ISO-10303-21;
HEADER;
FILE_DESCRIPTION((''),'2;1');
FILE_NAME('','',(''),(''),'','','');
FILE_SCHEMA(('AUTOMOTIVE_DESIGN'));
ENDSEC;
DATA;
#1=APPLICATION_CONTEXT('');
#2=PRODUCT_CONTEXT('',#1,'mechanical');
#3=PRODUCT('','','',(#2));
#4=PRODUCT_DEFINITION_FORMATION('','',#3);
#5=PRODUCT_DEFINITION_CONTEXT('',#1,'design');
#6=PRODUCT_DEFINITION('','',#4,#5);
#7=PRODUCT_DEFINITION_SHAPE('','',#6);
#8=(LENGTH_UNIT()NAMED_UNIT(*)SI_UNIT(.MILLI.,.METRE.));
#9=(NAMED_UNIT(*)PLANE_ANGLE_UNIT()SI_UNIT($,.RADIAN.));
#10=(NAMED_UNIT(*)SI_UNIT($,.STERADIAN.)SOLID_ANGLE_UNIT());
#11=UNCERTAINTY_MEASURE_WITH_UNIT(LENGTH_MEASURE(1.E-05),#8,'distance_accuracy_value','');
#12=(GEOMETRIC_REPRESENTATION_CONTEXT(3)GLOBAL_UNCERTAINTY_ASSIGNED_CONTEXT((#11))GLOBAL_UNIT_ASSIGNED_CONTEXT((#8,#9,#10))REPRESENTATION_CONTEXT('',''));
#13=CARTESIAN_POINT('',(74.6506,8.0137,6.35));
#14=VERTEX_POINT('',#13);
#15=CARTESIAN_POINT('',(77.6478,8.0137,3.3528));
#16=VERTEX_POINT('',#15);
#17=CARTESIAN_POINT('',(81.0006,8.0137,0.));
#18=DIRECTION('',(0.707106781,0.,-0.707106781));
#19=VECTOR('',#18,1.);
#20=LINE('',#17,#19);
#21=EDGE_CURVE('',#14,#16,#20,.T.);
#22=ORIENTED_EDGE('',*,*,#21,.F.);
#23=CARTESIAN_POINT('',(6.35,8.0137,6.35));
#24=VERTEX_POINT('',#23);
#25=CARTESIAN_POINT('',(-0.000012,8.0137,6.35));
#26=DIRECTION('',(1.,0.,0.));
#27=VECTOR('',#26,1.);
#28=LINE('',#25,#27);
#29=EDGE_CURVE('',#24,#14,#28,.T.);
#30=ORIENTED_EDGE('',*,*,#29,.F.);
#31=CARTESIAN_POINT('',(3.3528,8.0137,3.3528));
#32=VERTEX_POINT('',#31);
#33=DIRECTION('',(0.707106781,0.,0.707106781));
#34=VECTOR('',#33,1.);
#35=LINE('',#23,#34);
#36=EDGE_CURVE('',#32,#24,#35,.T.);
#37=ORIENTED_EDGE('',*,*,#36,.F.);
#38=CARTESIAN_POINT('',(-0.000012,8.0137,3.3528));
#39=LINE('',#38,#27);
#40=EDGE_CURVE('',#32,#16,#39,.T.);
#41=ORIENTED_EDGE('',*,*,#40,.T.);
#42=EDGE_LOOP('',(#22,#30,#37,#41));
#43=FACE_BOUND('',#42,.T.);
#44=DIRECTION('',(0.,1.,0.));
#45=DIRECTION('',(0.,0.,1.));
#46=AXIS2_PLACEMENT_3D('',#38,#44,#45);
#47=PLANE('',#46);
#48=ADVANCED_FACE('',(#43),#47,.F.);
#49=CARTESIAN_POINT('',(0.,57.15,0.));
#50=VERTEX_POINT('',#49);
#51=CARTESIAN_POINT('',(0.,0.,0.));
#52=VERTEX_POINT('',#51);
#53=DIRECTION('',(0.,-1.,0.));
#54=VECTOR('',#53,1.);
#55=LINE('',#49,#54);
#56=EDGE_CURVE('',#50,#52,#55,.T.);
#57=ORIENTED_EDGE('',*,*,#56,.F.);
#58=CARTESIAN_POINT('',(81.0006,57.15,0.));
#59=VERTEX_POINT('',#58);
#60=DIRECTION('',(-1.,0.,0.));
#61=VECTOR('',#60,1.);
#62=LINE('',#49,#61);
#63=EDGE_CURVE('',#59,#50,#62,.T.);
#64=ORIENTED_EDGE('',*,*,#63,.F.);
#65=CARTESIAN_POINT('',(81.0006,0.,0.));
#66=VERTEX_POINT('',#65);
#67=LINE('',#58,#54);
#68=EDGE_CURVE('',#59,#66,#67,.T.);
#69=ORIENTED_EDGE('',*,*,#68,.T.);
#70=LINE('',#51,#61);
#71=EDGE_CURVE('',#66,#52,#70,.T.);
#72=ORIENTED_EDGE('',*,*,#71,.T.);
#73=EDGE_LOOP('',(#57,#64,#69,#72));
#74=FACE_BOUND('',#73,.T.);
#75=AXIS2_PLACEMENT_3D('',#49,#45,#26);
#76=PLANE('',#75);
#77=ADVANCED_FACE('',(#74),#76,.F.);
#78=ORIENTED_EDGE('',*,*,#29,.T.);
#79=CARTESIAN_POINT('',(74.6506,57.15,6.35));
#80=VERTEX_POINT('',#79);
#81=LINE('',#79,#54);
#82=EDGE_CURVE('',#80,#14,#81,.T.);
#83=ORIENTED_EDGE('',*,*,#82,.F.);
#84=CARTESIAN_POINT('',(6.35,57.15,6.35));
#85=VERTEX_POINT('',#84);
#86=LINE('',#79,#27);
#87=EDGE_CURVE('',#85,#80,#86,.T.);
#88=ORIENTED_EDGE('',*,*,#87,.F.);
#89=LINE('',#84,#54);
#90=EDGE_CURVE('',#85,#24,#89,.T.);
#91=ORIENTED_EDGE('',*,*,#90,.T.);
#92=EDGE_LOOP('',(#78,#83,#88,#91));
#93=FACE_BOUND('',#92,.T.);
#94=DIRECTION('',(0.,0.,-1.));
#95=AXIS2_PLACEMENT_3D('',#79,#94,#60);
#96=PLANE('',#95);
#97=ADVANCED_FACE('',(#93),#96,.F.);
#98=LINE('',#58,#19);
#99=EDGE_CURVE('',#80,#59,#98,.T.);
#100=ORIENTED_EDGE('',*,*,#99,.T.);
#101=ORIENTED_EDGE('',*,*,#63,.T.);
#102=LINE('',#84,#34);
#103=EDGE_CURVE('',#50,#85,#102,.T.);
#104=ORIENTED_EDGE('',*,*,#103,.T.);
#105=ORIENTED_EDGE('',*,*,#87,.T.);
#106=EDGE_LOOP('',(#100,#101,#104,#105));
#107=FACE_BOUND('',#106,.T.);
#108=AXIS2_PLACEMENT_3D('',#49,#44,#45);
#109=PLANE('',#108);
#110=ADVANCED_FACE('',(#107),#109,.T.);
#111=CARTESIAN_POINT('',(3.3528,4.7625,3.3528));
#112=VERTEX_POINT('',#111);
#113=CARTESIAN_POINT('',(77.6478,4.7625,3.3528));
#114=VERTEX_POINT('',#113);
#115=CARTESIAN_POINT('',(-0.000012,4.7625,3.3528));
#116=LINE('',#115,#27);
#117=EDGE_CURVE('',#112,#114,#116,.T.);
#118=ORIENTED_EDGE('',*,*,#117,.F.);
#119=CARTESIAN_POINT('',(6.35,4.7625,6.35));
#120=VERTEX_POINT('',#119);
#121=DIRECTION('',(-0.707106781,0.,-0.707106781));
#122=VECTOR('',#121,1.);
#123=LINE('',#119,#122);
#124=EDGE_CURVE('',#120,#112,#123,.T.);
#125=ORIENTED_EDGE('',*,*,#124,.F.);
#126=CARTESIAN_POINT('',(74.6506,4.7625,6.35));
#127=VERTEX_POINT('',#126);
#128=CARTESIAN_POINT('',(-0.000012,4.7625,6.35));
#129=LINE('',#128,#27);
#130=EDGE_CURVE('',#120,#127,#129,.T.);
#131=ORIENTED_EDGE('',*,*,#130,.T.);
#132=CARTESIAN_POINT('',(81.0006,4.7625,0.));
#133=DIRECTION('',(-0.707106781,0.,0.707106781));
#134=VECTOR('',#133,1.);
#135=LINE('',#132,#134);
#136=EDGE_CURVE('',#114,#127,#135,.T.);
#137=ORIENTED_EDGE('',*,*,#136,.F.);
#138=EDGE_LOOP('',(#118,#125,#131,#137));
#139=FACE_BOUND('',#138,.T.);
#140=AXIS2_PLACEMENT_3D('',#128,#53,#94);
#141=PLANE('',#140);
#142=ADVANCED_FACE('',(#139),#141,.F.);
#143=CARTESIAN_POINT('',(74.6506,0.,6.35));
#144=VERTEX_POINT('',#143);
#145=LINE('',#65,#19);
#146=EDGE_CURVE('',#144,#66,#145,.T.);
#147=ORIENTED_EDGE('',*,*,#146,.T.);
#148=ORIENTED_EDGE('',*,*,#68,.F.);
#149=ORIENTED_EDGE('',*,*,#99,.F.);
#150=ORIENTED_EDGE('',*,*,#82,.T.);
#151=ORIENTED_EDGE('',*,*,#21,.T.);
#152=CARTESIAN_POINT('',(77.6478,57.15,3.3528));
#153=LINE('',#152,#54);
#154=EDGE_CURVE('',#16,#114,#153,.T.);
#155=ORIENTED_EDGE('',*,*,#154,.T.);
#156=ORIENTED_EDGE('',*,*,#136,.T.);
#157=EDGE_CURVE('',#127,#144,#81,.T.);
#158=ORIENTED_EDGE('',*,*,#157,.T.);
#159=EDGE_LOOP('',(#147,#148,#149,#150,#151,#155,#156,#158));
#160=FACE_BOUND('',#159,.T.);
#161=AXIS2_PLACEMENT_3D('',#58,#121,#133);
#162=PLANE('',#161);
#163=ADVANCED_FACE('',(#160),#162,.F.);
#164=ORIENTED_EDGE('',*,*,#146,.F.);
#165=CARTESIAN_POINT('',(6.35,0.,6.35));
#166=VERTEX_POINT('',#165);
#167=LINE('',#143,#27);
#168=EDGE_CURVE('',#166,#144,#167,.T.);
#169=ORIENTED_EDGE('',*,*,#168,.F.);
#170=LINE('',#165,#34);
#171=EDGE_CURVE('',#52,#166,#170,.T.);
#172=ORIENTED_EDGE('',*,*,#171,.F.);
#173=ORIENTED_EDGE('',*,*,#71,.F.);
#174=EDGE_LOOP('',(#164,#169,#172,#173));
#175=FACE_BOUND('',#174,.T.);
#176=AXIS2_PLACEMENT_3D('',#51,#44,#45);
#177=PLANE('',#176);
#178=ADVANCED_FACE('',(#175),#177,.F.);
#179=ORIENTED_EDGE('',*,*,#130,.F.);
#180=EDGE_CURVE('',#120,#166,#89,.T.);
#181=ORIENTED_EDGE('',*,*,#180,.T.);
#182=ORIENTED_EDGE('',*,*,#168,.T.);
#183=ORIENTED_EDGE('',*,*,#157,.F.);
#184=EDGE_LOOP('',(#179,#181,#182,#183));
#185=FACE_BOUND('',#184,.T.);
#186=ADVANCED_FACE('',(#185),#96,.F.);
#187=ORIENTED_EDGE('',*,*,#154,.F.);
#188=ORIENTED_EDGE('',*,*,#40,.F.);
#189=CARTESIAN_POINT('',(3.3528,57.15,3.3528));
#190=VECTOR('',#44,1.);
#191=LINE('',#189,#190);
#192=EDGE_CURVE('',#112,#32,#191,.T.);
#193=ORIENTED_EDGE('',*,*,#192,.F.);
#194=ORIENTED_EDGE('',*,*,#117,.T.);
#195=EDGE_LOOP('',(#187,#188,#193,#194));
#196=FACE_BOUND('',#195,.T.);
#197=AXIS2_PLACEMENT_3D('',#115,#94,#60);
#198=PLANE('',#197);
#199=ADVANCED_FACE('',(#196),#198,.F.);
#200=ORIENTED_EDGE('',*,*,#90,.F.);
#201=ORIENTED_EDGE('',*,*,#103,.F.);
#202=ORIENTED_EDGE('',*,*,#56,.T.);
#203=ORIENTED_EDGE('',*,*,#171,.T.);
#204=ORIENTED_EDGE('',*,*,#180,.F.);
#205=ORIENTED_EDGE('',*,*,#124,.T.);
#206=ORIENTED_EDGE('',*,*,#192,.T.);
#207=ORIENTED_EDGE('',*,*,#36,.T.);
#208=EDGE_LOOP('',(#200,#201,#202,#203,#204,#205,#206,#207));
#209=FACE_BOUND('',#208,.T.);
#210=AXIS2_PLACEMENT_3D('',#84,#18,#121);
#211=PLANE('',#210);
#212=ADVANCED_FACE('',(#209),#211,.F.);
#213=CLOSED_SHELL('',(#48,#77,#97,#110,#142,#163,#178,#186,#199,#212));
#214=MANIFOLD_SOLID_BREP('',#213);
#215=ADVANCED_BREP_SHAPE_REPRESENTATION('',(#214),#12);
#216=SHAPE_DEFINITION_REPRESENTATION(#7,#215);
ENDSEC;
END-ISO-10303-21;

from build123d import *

# Parameters (mm, degrees)
BOSS_EXTRUDE1_DEPTH     = 57.15
SKETCH2_W               = 2.9972
SKETCH2_H               = 3.2512
CUT_EXTRUDE1_DEPTH      = 82.0006
CUT_EXTRUDE1_DEPTH_BACK = 1


with BuildPart() as part:
    # Sketch1 → Boss-Extrude1 (new body)
    with BuildSketch(Plane(origin=(0, 0, 0), x_dir=(1, 0, 0), z_dir=(0, 1, 0))):
        Polygon((0, 0), (81.0006, 0), (74.6506, -6.35), (6.35, -6.35), align=None)
    extrude(amount=BOSS_EXTRUDE1_DEPTH)

    # Sketch2 → Cut-Extrude1 (cut, two sides)
    with BuildSketch(Plane(origin=(0, 0, 0), x_dir=(0, 0, -1), z_dir=(1, 0, 0))) as cut_extrude1_sk:
        with Locations((-4.8514, 6.3881)):
            Rectangle(SKETCH2_W, SKETCH2_H)
    extrude(amount=CUT_EXTRUDE1_DEPTH, mode=Mode.SUBTRACT)
    extrude(cut_extrude1_sk.sketch, amount=-CUT_EXTRUDE1_DEPTH_BACK, mode=Mode.SUBTRACT)


solid = part.part
